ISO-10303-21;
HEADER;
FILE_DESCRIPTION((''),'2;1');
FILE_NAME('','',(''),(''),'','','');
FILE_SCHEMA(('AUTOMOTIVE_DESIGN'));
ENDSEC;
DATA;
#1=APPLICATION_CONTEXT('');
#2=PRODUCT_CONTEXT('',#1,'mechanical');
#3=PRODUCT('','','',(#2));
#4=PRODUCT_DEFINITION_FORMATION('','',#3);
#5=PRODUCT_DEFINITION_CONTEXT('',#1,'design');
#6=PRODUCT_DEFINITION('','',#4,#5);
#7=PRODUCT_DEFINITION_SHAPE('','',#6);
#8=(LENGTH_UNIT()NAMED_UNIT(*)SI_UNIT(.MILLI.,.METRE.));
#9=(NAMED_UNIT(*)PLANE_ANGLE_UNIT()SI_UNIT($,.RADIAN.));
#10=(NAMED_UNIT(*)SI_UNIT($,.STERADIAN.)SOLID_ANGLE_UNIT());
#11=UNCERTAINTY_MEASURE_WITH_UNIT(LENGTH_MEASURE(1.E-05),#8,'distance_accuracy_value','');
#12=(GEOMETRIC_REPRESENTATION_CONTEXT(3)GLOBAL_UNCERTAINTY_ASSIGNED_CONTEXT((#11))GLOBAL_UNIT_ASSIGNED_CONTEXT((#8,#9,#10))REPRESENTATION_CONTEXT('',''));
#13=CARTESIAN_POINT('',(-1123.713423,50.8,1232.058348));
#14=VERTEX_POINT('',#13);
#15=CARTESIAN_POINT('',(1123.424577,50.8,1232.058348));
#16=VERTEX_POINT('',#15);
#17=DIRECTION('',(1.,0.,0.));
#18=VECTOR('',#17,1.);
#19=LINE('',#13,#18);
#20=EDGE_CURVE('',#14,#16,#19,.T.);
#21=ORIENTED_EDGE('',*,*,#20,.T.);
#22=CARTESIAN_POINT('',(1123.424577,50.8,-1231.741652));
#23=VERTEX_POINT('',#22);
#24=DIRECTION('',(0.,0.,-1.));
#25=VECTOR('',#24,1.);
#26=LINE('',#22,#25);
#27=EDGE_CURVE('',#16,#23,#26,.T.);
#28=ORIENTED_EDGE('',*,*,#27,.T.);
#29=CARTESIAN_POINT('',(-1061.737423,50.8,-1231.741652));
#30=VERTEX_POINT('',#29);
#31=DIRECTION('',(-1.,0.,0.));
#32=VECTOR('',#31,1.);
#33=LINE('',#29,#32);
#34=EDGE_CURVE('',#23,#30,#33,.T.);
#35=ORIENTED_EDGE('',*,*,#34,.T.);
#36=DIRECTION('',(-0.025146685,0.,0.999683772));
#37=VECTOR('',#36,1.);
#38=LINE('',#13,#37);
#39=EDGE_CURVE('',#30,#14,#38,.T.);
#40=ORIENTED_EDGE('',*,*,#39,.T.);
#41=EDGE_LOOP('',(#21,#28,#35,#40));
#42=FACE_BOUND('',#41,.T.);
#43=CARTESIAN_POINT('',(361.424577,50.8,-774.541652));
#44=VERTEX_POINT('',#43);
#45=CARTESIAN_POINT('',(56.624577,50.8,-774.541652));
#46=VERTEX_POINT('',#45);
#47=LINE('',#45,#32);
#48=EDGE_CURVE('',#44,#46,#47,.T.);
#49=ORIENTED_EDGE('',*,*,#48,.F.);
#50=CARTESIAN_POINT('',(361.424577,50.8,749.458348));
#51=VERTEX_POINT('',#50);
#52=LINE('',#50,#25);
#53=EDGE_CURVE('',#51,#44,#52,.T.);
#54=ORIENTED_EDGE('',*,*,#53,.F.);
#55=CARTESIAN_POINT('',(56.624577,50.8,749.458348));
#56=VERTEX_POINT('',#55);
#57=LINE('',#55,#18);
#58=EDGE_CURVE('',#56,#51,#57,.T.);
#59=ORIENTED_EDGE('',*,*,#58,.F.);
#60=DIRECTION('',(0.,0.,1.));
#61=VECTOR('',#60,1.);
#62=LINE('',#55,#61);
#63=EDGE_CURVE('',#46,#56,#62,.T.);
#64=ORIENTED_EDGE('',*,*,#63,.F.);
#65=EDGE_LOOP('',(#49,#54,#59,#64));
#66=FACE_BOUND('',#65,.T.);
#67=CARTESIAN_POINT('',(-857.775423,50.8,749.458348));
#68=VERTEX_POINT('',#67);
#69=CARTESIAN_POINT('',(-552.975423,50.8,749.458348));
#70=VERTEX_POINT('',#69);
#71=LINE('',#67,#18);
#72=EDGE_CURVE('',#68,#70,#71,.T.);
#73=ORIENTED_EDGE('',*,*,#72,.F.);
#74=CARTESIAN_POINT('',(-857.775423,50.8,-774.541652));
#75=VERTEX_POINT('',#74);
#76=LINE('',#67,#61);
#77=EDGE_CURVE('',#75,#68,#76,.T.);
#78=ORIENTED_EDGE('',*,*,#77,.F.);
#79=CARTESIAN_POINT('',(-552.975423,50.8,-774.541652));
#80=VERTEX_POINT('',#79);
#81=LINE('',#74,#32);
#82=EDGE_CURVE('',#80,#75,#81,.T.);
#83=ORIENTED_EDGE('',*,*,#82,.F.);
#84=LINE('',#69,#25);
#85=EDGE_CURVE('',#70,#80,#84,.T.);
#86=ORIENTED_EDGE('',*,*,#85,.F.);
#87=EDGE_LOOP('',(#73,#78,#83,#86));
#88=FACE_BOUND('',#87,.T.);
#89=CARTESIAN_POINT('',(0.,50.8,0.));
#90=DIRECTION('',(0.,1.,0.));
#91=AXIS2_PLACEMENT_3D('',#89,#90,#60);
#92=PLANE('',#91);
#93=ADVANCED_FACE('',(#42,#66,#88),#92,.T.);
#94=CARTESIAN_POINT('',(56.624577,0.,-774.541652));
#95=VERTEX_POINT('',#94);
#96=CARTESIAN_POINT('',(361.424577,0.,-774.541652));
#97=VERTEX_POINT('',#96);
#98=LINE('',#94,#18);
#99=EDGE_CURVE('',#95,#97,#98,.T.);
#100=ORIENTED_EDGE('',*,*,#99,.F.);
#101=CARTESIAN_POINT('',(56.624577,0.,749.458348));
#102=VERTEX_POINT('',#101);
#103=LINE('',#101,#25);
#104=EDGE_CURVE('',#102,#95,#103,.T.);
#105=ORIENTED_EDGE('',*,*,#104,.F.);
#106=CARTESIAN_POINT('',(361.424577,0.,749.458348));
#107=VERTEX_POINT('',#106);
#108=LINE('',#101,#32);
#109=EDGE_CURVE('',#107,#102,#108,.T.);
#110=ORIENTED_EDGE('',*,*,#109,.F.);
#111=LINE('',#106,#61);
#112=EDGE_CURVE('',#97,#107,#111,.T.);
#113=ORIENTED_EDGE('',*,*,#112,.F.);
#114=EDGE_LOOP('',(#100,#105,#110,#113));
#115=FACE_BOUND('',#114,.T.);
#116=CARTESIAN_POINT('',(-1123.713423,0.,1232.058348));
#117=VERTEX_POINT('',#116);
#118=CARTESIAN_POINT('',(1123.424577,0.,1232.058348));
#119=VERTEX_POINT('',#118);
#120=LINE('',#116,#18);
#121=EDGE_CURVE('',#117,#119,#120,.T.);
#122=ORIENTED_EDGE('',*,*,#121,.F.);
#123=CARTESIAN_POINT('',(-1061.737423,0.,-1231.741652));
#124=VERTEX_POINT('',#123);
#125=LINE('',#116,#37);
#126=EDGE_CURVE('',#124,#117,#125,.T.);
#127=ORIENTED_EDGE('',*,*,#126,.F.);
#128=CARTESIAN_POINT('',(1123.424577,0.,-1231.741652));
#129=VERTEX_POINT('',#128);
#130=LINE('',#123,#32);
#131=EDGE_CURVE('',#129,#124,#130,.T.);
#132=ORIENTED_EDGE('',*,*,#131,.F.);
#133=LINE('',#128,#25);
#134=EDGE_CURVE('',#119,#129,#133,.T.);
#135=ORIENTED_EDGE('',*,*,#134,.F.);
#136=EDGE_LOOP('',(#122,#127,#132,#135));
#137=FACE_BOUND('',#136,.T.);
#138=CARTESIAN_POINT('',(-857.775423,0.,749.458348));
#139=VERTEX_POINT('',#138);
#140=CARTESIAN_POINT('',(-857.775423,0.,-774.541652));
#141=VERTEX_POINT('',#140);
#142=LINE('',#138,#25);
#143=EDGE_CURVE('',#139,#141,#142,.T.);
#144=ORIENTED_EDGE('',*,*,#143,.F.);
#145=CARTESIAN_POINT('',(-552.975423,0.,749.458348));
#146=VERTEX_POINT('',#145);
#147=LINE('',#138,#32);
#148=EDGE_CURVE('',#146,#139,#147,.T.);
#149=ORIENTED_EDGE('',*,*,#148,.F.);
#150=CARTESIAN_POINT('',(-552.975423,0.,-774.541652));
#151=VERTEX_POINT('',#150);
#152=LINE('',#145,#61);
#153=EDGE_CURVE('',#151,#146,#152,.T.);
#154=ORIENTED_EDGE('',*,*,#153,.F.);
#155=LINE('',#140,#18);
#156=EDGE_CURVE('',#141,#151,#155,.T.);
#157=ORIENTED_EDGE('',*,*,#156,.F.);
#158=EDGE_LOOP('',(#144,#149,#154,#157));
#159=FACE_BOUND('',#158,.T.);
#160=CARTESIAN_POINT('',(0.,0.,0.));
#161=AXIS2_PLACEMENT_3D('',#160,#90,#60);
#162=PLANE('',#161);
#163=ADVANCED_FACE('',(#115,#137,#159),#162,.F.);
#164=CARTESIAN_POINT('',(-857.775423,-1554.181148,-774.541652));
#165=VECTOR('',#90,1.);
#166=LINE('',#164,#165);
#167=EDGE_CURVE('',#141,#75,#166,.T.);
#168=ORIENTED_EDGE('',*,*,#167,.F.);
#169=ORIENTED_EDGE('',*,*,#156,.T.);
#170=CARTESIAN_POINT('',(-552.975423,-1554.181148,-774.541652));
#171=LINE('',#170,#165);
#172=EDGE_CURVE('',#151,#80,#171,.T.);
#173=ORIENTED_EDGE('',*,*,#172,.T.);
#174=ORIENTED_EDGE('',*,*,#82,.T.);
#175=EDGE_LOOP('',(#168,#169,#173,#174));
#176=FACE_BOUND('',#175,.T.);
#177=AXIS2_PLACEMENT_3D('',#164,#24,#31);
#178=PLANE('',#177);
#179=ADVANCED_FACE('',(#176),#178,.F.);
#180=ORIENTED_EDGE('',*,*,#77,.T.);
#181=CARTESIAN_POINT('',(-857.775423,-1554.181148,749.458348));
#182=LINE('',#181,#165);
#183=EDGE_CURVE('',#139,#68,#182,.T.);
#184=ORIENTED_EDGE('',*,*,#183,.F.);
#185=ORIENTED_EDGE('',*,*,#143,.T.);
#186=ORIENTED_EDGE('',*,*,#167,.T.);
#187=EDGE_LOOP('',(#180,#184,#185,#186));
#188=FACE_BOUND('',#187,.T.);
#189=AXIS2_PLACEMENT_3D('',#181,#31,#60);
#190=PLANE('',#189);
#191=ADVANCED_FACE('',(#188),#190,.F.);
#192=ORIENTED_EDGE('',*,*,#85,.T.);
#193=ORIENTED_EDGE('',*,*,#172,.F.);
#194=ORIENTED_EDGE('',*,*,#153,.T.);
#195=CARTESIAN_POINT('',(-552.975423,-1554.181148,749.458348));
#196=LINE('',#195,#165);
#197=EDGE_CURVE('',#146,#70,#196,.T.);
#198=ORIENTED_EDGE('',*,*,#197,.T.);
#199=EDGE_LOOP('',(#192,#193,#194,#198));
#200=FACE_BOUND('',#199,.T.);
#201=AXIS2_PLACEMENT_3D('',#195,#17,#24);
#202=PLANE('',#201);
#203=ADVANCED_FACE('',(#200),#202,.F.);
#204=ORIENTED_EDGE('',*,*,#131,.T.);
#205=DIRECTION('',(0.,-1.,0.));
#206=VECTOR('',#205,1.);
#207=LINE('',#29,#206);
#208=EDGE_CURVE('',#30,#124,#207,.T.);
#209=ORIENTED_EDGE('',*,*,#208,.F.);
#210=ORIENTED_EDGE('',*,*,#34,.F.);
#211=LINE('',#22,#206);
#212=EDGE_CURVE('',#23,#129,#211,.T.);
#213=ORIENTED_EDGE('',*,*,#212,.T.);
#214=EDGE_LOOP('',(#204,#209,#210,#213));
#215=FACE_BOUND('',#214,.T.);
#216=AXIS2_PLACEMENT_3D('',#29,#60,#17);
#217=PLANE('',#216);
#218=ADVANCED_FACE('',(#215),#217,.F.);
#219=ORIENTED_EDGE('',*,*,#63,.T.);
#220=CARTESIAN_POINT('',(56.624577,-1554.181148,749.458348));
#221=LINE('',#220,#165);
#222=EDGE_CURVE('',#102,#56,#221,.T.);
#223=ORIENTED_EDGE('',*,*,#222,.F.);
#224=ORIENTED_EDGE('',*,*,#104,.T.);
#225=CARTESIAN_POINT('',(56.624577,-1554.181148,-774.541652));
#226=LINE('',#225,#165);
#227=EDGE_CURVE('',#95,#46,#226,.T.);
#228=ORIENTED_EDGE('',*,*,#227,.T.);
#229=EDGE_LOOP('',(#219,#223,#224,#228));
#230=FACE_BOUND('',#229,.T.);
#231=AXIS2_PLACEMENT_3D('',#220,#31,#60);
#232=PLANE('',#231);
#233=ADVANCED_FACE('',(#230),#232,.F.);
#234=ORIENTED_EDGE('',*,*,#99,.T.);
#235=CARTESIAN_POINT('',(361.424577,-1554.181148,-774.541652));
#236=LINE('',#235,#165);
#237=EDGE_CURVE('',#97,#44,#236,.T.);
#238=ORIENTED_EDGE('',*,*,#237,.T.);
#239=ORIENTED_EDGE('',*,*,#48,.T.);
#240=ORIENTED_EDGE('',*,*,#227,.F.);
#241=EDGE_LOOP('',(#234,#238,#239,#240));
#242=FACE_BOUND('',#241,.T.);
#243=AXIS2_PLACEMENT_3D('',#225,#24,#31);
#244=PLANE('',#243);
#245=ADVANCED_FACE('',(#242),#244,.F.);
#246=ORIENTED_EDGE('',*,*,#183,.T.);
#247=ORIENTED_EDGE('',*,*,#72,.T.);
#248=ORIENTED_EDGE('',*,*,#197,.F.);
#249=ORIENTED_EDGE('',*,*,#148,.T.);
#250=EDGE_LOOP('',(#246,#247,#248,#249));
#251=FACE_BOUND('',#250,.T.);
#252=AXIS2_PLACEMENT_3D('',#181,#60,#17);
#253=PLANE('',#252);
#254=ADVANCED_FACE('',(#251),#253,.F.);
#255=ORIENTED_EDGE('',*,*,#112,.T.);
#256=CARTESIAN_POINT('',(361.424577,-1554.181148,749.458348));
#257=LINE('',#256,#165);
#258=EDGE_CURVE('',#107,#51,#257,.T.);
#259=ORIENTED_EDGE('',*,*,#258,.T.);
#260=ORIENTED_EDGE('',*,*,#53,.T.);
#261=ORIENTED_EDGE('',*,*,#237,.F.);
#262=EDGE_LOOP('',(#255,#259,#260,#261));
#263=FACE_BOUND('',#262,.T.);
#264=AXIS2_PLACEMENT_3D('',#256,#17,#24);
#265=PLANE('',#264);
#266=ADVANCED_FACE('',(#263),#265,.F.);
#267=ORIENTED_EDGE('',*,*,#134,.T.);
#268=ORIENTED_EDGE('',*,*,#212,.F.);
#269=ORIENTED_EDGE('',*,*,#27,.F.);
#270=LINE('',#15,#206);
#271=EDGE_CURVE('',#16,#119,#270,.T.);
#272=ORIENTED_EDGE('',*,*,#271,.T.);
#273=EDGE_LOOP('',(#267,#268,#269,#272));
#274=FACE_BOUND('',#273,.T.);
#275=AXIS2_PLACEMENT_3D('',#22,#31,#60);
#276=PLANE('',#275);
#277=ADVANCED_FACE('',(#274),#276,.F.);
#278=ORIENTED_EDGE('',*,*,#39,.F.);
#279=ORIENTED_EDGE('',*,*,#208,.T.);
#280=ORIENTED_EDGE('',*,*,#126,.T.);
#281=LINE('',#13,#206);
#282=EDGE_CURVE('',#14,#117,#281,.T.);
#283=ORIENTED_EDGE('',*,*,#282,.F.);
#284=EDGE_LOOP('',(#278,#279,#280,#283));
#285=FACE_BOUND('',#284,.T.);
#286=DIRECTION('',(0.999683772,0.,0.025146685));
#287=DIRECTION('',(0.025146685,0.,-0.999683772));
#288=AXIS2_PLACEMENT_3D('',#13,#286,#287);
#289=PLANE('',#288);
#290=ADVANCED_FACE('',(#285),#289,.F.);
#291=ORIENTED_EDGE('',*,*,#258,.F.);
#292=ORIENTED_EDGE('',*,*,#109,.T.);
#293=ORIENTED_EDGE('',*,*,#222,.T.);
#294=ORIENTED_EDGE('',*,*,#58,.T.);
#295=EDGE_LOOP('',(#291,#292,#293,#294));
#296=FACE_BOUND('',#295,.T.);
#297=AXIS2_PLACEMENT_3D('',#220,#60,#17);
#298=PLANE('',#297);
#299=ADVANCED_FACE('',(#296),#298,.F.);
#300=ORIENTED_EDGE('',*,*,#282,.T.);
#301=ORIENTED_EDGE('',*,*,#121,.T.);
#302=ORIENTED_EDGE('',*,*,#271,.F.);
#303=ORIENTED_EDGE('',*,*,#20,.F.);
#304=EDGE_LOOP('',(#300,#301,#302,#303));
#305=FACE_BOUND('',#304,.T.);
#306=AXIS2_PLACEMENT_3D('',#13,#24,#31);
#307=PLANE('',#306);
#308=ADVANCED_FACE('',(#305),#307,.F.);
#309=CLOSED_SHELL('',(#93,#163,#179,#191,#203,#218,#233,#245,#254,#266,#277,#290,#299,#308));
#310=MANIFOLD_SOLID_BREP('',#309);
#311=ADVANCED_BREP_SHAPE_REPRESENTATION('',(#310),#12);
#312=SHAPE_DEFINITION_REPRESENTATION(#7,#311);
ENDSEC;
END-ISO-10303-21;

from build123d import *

# Parameters (mm, degrees)
BOSS_EXTRUDE1_DEPTH = 50.8
SKETCH2_W           = 304.8
SKETCH2_H           = 1524
CUT_EXTRUDE1_DEPTH  = 50.8


with BuildPart() as part:
    # Sketch1 → Boss-Extrude1 (new body)
    with BuildSketch(Plane(origin=(0, 0, 0), x_dir=(1, 0, 0), z_dir=(0, 1, 0))):
        Polygon((-1123.713423308, -1232.058348151), (-1061.737423308, 1231.741651849), (1123.424576692, 1231.741651849), (1123.424576692, -1232.058348151), align=None)
    extrude(amount=BOSS_EXTRUDE1_DEPTH)

    # Sketch2 → Cut-Extrude1 (cut)
    with BuildSketch(Plane(origin=(0, 50.8, 0), x_dir=(1, 0, 0), z_dir=(0, 1, 0))):
        with Locations((209.024576692, 12.541651849)):
            Rectangle(SKETCH2_W, SKETCH2_H)
        with Locations((-705.375423308, 12.541651849)):
            Rectangle(SKETCH2_W, SKETCH2_H)
    extrude(amount=-CUT_EXTRUDE1_DEPTH, mode=Mode.SUBTRACT)


solid = part.part
